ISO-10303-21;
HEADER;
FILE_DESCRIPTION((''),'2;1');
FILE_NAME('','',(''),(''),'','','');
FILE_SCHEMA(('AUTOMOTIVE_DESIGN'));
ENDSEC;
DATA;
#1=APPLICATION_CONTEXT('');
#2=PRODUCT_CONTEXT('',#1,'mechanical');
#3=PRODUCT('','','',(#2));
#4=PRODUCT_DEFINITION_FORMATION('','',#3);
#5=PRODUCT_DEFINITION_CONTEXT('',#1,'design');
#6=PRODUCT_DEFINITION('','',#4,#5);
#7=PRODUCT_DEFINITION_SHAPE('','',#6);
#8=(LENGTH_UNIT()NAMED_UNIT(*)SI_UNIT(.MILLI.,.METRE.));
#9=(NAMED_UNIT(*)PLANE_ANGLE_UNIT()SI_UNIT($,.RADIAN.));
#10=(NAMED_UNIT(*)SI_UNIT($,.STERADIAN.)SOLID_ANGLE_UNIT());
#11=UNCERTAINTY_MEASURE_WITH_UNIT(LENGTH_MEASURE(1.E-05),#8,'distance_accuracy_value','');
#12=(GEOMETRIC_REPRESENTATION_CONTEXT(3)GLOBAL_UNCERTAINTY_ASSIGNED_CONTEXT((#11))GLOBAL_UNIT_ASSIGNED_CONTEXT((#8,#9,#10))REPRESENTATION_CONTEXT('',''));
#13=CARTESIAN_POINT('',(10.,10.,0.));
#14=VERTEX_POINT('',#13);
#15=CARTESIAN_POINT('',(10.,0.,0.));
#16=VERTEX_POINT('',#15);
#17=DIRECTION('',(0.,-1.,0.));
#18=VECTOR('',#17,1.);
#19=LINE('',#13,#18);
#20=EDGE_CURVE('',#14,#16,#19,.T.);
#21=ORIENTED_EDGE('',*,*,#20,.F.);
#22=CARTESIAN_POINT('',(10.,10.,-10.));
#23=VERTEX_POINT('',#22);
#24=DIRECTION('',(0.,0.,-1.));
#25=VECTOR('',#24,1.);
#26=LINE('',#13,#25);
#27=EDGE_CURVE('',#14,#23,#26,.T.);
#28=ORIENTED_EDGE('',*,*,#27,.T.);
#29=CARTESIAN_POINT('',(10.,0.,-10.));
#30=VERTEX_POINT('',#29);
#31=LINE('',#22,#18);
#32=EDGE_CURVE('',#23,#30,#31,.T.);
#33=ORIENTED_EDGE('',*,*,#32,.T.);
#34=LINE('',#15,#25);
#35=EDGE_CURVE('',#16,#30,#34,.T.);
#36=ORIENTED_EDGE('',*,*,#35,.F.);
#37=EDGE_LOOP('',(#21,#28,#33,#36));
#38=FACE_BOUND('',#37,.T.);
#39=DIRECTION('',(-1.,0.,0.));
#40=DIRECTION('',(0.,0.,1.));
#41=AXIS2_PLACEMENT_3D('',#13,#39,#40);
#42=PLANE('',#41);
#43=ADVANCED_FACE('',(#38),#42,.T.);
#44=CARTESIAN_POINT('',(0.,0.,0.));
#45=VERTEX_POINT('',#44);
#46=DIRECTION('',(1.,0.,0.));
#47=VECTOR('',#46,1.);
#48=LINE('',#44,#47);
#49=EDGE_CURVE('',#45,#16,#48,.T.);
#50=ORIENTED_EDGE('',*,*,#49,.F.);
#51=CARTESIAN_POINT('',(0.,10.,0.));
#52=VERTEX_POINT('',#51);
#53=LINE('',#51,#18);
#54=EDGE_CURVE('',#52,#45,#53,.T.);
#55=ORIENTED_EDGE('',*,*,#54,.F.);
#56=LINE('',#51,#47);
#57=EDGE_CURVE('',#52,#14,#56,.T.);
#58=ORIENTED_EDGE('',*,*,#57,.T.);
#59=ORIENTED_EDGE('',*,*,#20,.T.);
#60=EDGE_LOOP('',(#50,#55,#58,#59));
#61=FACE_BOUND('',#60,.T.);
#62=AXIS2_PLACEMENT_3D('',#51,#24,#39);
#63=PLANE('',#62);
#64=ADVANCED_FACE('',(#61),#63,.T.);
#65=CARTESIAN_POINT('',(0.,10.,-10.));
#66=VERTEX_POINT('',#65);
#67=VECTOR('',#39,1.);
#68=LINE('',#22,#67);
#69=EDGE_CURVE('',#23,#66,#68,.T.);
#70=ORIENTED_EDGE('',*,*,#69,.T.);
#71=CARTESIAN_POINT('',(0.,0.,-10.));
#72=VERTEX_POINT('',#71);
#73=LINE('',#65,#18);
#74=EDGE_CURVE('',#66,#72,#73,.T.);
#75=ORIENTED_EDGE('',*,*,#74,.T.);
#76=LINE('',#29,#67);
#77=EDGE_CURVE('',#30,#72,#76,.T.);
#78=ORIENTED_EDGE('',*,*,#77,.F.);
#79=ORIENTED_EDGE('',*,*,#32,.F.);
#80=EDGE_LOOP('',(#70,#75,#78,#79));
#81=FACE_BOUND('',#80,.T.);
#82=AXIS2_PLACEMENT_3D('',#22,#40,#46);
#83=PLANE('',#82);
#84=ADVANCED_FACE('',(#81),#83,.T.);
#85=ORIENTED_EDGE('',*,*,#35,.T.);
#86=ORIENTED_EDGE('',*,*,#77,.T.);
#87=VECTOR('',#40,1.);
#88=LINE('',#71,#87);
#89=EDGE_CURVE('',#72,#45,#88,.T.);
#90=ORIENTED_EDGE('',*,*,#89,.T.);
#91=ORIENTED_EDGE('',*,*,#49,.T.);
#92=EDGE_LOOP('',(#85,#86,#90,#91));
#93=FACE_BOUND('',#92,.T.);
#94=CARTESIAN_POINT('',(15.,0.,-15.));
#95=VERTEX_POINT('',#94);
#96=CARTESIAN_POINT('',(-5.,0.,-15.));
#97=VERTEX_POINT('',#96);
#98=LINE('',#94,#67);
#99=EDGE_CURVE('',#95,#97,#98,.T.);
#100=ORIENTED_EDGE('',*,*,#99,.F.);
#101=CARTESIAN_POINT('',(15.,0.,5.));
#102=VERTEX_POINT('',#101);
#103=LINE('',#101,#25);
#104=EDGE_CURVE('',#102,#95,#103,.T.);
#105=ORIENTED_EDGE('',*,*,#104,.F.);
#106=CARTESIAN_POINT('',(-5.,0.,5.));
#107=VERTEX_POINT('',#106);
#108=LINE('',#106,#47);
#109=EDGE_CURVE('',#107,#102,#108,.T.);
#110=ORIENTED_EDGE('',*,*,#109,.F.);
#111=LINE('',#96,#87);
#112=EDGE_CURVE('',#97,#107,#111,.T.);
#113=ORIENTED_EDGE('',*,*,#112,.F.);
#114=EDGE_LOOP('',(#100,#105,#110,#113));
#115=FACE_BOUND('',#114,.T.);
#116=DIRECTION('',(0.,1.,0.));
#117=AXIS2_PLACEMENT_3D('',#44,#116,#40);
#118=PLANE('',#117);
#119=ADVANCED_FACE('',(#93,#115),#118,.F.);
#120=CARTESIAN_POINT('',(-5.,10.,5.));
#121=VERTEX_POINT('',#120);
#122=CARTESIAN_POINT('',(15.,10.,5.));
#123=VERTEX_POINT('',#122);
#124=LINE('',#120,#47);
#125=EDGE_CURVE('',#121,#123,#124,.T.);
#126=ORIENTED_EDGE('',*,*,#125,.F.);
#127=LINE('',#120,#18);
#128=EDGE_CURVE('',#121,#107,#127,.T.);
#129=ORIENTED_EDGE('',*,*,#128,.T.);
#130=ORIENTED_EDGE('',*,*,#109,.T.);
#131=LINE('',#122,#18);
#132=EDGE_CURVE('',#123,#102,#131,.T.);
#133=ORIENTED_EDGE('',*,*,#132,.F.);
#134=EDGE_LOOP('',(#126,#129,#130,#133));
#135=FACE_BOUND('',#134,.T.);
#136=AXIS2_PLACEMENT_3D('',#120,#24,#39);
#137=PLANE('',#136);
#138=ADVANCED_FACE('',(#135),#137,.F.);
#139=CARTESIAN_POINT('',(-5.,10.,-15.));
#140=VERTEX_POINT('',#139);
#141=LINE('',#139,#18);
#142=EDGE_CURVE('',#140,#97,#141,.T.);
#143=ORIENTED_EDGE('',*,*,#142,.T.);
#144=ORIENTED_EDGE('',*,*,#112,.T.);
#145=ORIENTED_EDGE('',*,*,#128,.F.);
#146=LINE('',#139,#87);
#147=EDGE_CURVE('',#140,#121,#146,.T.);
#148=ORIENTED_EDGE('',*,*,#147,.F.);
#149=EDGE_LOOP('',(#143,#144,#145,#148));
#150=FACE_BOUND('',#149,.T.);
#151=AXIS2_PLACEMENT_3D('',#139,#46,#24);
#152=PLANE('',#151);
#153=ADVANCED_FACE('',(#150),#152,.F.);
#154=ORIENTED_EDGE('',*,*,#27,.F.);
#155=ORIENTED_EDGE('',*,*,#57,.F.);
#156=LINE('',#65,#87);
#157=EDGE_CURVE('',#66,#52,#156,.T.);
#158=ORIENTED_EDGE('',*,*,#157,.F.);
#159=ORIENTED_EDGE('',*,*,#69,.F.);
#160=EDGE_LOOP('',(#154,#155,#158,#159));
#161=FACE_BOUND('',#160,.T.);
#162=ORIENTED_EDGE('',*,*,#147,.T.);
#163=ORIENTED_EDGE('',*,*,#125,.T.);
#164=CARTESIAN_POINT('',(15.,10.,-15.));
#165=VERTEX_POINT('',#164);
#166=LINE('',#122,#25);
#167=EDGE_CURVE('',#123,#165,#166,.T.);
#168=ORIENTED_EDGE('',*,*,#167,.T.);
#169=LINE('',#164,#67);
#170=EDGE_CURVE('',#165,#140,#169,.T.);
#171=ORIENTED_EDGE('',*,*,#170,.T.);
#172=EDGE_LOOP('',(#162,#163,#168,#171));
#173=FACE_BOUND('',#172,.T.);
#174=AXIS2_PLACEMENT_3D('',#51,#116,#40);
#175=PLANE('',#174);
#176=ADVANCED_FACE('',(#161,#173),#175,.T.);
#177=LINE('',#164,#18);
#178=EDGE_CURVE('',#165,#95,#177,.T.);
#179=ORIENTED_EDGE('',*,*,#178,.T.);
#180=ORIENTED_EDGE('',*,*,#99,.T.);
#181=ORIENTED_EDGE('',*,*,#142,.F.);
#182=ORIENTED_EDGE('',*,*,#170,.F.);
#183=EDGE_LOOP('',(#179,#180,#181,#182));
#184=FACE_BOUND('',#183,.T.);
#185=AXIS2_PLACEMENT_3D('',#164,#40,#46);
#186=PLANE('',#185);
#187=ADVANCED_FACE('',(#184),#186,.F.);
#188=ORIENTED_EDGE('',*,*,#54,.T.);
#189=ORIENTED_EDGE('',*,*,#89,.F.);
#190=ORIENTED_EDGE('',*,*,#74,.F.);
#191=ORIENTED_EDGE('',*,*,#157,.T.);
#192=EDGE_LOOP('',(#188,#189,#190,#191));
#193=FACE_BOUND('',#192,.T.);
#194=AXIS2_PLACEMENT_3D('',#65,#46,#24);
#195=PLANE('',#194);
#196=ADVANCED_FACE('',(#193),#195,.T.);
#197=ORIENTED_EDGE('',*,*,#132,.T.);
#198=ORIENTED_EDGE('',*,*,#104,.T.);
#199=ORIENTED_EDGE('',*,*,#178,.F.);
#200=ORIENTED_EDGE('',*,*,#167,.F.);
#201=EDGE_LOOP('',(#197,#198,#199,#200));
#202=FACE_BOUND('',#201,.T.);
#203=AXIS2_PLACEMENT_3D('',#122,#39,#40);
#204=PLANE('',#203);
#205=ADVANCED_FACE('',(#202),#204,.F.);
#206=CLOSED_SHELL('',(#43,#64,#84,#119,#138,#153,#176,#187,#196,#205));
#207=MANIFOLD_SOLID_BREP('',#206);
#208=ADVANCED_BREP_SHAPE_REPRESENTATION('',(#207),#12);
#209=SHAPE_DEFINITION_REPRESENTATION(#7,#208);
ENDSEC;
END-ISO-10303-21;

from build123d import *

# Parameters (mm, degrees)
SKETCH_1_W      = 20
SKETCH_1_H      = 20
SKETCH_1_W_2    = 10
SKETCH_1_H_2    = 10
EXTRUDE_1_DEPTH = 10


with BuildPart() as part:
    # 草图1 → 凸台-拉伸1 (new body)
    with BuildSketch(Plane(origin=(0, 0, 0), x_dir=(1, 0, 0), z_dir=(0, 1, 0))):
        with Locations((5, 5)):
            Rectangle(SKETCH_1_W, SKETCH_1_H)
        with Locations((5, 5)):
            Rectangle(SKETCH_1_W_2, SKETCH_1_H_2, mode=Mode.SUBTRACT)
    extrude(amount=EXTRUDE_1_DEPTH)


solid = part.part
